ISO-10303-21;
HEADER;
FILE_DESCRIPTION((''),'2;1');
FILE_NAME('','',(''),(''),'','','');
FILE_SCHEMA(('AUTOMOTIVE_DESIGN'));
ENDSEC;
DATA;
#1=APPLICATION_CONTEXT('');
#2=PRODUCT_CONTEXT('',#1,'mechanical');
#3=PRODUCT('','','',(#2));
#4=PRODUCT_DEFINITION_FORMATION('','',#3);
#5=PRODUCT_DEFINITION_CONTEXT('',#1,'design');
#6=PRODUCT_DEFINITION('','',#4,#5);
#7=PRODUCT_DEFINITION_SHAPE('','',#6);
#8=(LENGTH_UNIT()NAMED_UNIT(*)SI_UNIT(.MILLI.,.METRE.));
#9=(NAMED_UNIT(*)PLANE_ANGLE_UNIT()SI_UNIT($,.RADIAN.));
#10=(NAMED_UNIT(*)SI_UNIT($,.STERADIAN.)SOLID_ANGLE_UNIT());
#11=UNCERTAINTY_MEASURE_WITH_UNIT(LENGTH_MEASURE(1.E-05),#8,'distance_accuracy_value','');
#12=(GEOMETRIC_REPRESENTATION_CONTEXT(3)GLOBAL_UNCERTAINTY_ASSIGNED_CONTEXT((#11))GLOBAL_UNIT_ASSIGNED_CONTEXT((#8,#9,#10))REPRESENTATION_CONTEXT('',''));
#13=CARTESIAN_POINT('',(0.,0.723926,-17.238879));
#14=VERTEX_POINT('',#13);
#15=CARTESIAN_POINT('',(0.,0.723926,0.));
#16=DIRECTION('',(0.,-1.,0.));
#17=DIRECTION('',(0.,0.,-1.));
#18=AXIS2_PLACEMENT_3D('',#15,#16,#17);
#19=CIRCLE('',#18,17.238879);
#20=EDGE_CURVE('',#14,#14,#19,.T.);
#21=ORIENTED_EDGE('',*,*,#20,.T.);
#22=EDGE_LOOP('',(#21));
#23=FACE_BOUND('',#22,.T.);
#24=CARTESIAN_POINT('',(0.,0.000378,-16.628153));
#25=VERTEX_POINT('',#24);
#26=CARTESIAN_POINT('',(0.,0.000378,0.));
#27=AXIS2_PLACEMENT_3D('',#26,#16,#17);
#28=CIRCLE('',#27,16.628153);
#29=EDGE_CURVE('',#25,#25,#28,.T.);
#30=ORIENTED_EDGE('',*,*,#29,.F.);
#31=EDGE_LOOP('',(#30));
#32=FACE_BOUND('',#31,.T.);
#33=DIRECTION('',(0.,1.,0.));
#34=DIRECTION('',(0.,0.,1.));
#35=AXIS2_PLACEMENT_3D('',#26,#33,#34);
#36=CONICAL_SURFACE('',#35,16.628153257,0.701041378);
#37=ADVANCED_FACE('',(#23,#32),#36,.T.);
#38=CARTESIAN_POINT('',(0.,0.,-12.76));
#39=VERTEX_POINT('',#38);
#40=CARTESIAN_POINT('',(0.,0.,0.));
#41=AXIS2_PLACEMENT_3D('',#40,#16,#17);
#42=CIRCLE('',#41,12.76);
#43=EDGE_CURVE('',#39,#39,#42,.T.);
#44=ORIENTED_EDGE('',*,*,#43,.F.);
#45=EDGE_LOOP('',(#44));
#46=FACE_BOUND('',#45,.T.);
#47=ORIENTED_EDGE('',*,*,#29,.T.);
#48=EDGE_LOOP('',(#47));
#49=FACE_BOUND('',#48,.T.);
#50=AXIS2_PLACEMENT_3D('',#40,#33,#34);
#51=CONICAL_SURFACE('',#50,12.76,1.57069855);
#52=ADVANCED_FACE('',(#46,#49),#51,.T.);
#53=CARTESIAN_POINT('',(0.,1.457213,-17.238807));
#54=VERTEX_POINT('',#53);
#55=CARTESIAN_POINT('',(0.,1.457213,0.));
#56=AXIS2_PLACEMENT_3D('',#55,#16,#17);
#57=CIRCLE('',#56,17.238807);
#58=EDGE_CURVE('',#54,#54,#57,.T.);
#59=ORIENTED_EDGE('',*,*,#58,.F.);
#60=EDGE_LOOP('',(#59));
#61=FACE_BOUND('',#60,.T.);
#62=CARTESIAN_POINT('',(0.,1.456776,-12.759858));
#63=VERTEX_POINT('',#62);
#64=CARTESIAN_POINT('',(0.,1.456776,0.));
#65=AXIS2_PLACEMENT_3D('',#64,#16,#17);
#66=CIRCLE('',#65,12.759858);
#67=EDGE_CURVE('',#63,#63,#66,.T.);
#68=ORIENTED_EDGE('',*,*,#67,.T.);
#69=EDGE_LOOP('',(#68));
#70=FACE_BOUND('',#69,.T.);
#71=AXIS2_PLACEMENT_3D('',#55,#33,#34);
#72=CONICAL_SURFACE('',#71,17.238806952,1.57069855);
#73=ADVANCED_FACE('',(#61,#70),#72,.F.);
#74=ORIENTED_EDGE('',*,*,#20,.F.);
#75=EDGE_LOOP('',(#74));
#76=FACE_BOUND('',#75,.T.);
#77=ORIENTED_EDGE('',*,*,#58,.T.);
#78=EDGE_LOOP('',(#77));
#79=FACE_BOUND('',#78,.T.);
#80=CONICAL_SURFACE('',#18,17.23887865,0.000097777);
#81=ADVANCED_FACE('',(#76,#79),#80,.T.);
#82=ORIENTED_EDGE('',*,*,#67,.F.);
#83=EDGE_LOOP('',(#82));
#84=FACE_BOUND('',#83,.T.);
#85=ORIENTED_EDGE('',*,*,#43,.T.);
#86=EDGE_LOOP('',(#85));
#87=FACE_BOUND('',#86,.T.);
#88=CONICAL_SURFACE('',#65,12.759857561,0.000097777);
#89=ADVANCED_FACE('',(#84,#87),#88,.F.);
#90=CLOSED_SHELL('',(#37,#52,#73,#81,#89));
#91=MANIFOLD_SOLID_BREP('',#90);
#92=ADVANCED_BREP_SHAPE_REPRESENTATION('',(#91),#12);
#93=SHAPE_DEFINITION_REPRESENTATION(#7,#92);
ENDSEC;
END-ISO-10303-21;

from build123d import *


with BuildPart() as part:
    # Çizim1 → Döndür1 (revolve)
    with BuildSketch(Plane.XY, mode=Mode.PRIVATE) as d_nd_r1_sk:
        Polygon((12.76, 0), (16.628153257, 0.000378215), (17.23887865, 0.723926381), (17.238806952, 1.457213446), (12.759857561, 1.45677551), align=None)
    revolve(d_nd_r1_sk.sketch.rotate(Axis((0, 0, 0), (0, 1, 0)), 90), axis=Axis((0, 0, 0), (0, 1, 0)))


solid = part.part
